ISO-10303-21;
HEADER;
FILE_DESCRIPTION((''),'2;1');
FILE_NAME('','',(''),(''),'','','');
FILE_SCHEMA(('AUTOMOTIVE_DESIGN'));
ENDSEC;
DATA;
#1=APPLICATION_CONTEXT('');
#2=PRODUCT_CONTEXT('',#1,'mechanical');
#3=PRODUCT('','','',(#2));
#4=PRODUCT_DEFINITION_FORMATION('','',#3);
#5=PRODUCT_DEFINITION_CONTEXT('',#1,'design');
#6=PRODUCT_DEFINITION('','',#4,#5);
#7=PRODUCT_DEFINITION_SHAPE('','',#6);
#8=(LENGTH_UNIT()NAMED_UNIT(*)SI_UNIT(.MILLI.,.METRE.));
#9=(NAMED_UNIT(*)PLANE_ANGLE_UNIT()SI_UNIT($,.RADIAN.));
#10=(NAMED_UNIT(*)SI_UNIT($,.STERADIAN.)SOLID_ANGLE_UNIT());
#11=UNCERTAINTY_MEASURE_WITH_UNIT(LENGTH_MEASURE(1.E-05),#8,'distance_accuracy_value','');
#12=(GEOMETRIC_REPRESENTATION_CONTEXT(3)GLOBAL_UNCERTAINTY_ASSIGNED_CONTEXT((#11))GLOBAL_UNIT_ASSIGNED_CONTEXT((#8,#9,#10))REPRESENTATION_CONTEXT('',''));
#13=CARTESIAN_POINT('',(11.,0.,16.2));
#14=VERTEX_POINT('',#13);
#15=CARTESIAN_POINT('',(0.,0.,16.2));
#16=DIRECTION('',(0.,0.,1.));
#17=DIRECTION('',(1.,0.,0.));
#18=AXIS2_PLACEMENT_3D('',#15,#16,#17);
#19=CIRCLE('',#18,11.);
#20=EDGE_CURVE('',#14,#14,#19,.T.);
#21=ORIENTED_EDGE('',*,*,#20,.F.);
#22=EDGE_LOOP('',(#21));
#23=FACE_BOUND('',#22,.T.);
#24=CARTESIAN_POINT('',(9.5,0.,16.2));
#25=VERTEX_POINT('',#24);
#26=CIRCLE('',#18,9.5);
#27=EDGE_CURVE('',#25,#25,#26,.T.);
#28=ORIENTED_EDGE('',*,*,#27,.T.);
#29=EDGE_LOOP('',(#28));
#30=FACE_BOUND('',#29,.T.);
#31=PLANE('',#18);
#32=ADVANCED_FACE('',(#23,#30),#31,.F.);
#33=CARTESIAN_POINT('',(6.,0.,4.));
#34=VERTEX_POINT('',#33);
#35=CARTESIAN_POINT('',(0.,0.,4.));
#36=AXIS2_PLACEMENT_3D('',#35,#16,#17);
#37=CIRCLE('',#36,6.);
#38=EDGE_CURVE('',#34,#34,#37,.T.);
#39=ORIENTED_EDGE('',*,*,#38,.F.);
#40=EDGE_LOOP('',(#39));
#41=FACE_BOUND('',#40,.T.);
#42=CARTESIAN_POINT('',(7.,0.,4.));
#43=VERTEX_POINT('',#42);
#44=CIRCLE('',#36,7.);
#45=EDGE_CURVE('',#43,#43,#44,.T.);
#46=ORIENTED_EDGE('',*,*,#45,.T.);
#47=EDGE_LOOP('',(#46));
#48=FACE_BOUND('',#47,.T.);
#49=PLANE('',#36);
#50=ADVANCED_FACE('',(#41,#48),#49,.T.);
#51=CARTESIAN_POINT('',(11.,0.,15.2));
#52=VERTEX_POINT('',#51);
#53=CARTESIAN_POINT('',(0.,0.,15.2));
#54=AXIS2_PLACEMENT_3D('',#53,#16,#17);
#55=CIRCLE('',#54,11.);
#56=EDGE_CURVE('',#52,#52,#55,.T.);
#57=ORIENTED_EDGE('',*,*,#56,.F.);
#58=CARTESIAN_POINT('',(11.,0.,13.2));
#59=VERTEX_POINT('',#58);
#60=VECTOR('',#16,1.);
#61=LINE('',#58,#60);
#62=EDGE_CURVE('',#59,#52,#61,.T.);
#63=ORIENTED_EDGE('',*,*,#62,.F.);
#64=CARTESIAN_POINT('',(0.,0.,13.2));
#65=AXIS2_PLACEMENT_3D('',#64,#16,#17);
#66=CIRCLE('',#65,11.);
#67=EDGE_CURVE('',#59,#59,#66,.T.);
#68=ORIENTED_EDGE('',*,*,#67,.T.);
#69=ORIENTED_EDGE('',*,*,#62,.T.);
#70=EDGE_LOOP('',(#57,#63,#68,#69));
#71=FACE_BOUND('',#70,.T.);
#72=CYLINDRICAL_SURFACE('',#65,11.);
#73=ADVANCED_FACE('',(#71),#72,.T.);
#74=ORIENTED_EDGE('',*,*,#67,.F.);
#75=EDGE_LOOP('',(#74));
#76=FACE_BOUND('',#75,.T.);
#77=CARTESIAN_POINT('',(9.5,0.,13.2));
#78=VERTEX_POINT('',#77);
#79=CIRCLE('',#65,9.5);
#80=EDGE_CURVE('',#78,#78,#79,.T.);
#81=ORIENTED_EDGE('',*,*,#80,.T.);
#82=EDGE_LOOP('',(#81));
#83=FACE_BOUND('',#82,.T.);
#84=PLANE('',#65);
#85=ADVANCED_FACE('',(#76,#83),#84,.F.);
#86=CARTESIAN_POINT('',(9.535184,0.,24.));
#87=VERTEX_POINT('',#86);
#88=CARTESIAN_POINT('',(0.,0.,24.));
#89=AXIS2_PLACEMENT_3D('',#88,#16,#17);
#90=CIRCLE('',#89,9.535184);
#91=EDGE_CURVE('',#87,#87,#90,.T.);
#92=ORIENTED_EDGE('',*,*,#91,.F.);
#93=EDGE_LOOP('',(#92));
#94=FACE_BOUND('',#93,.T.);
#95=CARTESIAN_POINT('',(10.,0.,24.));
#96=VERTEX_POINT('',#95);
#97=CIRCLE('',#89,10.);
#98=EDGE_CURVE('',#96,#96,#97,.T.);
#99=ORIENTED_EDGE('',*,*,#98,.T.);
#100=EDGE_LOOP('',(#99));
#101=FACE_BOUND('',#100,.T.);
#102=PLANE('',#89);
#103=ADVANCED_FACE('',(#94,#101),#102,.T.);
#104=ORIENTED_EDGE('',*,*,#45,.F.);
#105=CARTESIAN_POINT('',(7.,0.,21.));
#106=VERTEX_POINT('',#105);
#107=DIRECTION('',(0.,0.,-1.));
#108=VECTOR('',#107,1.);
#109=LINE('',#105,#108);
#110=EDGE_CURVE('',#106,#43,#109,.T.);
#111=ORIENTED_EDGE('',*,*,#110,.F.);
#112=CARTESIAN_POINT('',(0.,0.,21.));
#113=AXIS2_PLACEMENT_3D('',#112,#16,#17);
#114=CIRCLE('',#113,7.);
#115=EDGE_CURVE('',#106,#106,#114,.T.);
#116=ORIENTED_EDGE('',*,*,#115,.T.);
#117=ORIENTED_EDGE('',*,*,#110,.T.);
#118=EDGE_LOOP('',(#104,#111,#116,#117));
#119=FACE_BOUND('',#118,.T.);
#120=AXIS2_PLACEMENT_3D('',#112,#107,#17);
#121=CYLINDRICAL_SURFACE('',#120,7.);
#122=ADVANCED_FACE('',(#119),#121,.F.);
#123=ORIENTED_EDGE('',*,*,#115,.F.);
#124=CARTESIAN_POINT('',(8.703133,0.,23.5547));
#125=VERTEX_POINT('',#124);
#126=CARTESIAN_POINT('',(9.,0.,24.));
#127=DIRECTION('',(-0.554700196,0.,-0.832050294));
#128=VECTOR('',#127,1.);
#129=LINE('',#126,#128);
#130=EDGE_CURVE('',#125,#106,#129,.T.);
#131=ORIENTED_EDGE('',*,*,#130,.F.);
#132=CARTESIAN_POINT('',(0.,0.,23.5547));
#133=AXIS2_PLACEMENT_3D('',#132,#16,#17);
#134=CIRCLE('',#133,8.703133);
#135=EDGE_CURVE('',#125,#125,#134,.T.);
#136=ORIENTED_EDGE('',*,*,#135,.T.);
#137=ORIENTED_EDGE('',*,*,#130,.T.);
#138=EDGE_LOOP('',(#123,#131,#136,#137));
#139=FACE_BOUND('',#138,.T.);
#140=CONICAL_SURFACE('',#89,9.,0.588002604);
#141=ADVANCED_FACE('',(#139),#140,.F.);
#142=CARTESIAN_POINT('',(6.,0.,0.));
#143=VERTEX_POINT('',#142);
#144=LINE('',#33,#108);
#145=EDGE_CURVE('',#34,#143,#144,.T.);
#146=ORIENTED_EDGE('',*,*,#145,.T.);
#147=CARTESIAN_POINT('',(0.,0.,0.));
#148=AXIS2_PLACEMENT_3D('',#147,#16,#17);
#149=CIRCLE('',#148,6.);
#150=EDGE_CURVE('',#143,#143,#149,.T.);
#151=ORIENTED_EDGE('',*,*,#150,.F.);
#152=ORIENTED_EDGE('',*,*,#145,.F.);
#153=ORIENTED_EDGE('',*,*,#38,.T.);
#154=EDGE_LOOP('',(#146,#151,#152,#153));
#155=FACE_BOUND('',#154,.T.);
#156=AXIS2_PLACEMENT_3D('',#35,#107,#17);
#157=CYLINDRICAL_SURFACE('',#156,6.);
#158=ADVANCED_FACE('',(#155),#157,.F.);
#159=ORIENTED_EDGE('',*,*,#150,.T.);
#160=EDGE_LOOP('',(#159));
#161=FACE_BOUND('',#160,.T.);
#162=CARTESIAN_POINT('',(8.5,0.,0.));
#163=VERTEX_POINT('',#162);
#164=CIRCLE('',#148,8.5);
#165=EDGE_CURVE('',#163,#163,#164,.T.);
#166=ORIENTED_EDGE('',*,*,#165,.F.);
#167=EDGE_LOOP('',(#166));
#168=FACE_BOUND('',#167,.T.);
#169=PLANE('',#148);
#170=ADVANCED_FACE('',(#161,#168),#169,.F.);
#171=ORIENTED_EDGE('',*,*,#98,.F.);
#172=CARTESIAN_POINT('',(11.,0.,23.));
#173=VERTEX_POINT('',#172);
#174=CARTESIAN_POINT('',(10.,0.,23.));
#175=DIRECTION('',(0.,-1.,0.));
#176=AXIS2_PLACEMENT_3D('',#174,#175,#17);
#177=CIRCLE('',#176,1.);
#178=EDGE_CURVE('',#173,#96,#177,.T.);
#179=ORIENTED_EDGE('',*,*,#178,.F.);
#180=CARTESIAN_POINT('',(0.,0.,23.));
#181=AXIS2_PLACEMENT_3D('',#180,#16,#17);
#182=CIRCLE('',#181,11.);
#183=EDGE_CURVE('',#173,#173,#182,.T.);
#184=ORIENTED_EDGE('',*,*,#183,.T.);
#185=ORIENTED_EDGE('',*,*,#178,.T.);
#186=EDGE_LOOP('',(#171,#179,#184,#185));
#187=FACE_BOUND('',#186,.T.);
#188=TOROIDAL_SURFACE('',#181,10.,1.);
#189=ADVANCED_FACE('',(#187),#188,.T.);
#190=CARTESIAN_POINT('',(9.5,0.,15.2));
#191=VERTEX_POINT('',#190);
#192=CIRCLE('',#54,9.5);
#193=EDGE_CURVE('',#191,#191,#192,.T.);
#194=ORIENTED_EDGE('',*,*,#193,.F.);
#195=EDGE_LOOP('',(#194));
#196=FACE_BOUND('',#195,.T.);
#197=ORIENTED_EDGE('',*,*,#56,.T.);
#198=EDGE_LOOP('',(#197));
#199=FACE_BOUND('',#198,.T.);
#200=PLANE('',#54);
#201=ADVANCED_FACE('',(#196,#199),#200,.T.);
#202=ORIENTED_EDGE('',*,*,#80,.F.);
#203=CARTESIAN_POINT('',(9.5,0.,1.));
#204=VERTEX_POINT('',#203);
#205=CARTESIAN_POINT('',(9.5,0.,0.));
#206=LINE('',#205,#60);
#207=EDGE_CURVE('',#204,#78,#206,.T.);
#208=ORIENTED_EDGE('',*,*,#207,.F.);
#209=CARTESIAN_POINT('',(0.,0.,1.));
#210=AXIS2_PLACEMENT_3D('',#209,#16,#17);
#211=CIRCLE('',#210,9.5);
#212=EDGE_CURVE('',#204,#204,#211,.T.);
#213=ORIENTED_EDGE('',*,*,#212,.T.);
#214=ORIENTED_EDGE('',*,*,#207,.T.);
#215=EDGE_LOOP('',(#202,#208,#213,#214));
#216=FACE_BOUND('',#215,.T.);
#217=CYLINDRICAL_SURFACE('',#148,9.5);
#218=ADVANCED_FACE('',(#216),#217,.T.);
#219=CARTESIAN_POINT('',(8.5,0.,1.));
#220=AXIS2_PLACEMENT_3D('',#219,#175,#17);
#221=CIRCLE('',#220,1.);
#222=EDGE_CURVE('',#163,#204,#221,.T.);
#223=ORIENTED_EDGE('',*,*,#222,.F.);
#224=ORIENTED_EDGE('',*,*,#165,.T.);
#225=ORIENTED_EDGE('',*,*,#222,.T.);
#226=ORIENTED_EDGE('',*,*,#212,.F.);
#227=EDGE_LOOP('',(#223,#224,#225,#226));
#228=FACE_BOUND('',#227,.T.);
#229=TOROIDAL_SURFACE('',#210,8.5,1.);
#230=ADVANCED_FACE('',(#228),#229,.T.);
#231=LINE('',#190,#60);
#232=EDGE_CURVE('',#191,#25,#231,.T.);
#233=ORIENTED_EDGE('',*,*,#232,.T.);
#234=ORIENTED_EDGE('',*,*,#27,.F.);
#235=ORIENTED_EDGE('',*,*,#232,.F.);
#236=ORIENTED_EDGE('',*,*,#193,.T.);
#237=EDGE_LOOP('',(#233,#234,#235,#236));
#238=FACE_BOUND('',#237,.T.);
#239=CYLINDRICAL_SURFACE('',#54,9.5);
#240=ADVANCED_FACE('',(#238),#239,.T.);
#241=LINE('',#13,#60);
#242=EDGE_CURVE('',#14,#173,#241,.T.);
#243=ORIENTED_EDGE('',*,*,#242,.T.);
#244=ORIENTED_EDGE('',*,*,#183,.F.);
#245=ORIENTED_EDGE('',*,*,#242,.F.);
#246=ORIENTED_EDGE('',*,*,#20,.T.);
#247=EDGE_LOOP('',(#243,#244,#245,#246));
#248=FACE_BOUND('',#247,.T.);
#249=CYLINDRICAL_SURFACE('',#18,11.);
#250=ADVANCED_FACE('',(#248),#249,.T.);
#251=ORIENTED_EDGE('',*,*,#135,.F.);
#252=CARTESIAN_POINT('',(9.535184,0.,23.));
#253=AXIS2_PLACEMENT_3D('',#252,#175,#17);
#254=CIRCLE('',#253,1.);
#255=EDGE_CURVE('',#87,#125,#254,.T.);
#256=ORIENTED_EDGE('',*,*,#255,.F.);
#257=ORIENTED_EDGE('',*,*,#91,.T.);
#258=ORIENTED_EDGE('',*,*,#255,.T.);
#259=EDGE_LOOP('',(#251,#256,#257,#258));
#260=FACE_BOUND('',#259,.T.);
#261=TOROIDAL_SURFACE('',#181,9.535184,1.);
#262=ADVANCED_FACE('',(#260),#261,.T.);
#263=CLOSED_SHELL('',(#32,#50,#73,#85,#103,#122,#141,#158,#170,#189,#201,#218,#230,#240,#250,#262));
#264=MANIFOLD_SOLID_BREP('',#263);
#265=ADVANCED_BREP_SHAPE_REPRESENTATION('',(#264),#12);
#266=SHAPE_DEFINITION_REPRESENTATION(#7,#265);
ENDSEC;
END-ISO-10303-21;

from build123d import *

# Parameters (mm, degrees)
F2_R = 1


with BuildPart() as f1:
    # F0 (on Front) → F1 (revolve)
    with BuildSketch(Plane.XZ):
        Polygon((7, 21), (7, 4), (6, 4), (6, 0), (9.5, 0), (9.5, 13.2), (11, 13.2), (11, 15.2), (9.5, 15.2), (9.5, 16.2), (11, 16.2), (11, 24), (9, 24), align=None)
    revolve(axis=Axis((0, 0, 21.520365), (0, 0, 1)))

    # F2
    f2_edges = [f1.edges().sort_by_distance(p)[0] for p in [
        (-11, 0, 24),
        (-9, 0, 24),
        (-9.5, 0, 0),
    ]]
    fillet(f2_edges, radius=F2_R)


solid = f1.part
